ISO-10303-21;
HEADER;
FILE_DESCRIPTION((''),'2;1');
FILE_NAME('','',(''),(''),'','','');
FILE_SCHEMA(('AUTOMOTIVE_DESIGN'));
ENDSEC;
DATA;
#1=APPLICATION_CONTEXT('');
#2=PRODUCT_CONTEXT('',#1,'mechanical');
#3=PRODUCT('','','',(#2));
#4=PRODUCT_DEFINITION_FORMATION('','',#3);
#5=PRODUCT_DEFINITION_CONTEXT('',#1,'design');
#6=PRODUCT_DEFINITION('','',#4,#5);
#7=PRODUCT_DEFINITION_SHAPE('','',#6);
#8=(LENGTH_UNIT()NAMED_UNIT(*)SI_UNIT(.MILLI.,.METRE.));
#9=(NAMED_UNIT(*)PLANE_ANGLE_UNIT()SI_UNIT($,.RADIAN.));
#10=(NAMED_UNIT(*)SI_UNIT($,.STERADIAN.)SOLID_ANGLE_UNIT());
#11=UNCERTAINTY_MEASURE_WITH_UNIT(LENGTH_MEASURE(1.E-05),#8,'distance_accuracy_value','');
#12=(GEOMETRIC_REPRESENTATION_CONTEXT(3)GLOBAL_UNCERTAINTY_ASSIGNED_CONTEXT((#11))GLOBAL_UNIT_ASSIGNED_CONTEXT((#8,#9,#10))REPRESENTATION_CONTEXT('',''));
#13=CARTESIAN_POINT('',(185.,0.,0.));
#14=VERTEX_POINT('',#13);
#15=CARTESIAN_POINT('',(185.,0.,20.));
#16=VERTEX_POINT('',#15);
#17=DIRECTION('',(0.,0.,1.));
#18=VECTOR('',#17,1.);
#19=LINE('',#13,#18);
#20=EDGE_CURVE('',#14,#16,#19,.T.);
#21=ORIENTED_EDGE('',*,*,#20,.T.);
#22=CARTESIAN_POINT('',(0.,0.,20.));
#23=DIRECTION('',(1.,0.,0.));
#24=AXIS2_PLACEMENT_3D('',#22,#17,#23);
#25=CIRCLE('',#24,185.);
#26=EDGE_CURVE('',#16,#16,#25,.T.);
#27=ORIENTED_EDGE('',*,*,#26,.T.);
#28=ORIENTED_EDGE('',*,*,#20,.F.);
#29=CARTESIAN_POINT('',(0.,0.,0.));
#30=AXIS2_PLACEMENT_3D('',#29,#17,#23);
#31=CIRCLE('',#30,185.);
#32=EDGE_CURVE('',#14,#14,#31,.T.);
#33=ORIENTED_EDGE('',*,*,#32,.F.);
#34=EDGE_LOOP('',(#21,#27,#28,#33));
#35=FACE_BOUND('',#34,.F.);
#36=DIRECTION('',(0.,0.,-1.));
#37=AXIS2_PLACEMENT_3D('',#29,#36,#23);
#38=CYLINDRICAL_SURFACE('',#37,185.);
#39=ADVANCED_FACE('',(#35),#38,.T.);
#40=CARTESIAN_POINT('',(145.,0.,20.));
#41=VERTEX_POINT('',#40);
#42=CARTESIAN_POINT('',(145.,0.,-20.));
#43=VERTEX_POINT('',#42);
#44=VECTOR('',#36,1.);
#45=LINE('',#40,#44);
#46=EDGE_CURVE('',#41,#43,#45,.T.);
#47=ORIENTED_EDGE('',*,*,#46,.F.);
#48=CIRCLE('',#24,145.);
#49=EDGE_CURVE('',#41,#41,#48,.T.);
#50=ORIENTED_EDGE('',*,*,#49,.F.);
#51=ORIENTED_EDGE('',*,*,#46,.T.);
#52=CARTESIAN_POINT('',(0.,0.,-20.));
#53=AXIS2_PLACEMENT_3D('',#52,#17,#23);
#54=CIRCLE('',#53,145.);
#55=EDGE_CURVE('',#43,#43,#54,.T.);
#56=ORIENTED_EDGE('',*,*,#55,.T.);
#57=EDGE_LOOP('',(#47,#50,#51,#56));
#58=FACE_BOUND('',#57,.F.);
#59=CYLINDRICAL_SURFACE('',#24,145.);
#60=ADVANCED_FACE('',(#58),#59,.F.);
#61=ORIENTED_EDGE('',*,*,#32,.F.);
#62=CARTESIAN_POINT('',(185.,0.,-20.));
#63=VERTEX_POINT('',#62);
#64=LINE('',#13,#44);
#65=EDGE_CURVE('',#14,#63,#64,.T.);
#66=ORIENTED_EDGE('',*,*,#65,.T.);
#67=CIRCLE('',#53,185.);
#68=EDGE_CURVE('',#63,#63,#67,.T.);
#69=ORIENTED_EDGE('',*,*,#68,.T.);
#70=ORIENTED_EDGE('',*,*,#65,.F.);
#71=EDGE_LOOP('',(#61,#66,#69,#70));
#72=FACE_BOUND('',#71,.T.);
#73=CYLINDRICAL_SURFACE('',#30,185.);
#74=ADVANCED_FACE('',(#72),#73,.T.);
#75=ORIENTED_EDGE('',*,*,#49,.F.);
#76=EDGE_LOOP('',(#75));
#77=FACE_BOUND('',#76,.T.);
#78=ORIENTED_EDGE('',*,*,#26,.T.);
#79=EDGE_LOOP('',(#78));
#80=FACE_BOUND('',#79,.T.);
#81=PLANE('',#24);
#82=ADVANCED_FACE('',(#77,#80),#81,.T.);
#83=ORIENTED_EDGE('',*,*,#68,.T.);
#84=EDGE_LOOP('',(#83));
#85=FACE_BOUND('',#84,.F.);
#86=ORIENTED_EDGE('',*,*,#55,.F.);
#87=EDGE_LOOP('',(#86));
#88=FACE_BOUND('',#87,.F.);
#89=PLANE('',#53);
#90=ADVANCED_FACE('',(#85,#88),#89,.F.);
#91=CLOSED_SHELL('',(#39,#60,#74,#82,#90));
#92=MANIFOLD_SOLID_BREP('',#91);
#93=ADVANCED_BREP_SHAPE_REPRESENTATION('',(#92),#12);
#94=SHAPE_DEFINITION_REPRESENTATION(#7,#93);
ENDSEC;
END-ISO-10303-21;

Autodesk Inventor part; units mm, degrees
ref_plane "YZ Plane" through (0, 0, 0) normal (1, 0, 0) x (0, 1, 0)
ref_plane "XZ Plane" through (0, 0, 0) normal (0, 1, 0) x (-1, 0, 0)
ref_plane "XY Plane" through (0, 0, 0) normal (0, 0, 1) x (1, 0, 0)
sketch "Sketch1" plane through (0, 0, 0) normal (0, 0, 1) x (1, 0, 0)
  circle A0 centre (0, 0) radius 185
  dimension "d0" = 370
extrude "Extrusion1" add sketch "Sketch1" along normal mid plane 40
sketch "Sketch3" plane through (0, 0, 20) normal (0, 0, 1) x (1, 0, 0)
  circle A0 centre (0, 0) radius 145
  dimension "d3" = 290
extrude "Extrusion2" cut sketch "Sketch3" against normal through all
properties part number "AGBL03"
